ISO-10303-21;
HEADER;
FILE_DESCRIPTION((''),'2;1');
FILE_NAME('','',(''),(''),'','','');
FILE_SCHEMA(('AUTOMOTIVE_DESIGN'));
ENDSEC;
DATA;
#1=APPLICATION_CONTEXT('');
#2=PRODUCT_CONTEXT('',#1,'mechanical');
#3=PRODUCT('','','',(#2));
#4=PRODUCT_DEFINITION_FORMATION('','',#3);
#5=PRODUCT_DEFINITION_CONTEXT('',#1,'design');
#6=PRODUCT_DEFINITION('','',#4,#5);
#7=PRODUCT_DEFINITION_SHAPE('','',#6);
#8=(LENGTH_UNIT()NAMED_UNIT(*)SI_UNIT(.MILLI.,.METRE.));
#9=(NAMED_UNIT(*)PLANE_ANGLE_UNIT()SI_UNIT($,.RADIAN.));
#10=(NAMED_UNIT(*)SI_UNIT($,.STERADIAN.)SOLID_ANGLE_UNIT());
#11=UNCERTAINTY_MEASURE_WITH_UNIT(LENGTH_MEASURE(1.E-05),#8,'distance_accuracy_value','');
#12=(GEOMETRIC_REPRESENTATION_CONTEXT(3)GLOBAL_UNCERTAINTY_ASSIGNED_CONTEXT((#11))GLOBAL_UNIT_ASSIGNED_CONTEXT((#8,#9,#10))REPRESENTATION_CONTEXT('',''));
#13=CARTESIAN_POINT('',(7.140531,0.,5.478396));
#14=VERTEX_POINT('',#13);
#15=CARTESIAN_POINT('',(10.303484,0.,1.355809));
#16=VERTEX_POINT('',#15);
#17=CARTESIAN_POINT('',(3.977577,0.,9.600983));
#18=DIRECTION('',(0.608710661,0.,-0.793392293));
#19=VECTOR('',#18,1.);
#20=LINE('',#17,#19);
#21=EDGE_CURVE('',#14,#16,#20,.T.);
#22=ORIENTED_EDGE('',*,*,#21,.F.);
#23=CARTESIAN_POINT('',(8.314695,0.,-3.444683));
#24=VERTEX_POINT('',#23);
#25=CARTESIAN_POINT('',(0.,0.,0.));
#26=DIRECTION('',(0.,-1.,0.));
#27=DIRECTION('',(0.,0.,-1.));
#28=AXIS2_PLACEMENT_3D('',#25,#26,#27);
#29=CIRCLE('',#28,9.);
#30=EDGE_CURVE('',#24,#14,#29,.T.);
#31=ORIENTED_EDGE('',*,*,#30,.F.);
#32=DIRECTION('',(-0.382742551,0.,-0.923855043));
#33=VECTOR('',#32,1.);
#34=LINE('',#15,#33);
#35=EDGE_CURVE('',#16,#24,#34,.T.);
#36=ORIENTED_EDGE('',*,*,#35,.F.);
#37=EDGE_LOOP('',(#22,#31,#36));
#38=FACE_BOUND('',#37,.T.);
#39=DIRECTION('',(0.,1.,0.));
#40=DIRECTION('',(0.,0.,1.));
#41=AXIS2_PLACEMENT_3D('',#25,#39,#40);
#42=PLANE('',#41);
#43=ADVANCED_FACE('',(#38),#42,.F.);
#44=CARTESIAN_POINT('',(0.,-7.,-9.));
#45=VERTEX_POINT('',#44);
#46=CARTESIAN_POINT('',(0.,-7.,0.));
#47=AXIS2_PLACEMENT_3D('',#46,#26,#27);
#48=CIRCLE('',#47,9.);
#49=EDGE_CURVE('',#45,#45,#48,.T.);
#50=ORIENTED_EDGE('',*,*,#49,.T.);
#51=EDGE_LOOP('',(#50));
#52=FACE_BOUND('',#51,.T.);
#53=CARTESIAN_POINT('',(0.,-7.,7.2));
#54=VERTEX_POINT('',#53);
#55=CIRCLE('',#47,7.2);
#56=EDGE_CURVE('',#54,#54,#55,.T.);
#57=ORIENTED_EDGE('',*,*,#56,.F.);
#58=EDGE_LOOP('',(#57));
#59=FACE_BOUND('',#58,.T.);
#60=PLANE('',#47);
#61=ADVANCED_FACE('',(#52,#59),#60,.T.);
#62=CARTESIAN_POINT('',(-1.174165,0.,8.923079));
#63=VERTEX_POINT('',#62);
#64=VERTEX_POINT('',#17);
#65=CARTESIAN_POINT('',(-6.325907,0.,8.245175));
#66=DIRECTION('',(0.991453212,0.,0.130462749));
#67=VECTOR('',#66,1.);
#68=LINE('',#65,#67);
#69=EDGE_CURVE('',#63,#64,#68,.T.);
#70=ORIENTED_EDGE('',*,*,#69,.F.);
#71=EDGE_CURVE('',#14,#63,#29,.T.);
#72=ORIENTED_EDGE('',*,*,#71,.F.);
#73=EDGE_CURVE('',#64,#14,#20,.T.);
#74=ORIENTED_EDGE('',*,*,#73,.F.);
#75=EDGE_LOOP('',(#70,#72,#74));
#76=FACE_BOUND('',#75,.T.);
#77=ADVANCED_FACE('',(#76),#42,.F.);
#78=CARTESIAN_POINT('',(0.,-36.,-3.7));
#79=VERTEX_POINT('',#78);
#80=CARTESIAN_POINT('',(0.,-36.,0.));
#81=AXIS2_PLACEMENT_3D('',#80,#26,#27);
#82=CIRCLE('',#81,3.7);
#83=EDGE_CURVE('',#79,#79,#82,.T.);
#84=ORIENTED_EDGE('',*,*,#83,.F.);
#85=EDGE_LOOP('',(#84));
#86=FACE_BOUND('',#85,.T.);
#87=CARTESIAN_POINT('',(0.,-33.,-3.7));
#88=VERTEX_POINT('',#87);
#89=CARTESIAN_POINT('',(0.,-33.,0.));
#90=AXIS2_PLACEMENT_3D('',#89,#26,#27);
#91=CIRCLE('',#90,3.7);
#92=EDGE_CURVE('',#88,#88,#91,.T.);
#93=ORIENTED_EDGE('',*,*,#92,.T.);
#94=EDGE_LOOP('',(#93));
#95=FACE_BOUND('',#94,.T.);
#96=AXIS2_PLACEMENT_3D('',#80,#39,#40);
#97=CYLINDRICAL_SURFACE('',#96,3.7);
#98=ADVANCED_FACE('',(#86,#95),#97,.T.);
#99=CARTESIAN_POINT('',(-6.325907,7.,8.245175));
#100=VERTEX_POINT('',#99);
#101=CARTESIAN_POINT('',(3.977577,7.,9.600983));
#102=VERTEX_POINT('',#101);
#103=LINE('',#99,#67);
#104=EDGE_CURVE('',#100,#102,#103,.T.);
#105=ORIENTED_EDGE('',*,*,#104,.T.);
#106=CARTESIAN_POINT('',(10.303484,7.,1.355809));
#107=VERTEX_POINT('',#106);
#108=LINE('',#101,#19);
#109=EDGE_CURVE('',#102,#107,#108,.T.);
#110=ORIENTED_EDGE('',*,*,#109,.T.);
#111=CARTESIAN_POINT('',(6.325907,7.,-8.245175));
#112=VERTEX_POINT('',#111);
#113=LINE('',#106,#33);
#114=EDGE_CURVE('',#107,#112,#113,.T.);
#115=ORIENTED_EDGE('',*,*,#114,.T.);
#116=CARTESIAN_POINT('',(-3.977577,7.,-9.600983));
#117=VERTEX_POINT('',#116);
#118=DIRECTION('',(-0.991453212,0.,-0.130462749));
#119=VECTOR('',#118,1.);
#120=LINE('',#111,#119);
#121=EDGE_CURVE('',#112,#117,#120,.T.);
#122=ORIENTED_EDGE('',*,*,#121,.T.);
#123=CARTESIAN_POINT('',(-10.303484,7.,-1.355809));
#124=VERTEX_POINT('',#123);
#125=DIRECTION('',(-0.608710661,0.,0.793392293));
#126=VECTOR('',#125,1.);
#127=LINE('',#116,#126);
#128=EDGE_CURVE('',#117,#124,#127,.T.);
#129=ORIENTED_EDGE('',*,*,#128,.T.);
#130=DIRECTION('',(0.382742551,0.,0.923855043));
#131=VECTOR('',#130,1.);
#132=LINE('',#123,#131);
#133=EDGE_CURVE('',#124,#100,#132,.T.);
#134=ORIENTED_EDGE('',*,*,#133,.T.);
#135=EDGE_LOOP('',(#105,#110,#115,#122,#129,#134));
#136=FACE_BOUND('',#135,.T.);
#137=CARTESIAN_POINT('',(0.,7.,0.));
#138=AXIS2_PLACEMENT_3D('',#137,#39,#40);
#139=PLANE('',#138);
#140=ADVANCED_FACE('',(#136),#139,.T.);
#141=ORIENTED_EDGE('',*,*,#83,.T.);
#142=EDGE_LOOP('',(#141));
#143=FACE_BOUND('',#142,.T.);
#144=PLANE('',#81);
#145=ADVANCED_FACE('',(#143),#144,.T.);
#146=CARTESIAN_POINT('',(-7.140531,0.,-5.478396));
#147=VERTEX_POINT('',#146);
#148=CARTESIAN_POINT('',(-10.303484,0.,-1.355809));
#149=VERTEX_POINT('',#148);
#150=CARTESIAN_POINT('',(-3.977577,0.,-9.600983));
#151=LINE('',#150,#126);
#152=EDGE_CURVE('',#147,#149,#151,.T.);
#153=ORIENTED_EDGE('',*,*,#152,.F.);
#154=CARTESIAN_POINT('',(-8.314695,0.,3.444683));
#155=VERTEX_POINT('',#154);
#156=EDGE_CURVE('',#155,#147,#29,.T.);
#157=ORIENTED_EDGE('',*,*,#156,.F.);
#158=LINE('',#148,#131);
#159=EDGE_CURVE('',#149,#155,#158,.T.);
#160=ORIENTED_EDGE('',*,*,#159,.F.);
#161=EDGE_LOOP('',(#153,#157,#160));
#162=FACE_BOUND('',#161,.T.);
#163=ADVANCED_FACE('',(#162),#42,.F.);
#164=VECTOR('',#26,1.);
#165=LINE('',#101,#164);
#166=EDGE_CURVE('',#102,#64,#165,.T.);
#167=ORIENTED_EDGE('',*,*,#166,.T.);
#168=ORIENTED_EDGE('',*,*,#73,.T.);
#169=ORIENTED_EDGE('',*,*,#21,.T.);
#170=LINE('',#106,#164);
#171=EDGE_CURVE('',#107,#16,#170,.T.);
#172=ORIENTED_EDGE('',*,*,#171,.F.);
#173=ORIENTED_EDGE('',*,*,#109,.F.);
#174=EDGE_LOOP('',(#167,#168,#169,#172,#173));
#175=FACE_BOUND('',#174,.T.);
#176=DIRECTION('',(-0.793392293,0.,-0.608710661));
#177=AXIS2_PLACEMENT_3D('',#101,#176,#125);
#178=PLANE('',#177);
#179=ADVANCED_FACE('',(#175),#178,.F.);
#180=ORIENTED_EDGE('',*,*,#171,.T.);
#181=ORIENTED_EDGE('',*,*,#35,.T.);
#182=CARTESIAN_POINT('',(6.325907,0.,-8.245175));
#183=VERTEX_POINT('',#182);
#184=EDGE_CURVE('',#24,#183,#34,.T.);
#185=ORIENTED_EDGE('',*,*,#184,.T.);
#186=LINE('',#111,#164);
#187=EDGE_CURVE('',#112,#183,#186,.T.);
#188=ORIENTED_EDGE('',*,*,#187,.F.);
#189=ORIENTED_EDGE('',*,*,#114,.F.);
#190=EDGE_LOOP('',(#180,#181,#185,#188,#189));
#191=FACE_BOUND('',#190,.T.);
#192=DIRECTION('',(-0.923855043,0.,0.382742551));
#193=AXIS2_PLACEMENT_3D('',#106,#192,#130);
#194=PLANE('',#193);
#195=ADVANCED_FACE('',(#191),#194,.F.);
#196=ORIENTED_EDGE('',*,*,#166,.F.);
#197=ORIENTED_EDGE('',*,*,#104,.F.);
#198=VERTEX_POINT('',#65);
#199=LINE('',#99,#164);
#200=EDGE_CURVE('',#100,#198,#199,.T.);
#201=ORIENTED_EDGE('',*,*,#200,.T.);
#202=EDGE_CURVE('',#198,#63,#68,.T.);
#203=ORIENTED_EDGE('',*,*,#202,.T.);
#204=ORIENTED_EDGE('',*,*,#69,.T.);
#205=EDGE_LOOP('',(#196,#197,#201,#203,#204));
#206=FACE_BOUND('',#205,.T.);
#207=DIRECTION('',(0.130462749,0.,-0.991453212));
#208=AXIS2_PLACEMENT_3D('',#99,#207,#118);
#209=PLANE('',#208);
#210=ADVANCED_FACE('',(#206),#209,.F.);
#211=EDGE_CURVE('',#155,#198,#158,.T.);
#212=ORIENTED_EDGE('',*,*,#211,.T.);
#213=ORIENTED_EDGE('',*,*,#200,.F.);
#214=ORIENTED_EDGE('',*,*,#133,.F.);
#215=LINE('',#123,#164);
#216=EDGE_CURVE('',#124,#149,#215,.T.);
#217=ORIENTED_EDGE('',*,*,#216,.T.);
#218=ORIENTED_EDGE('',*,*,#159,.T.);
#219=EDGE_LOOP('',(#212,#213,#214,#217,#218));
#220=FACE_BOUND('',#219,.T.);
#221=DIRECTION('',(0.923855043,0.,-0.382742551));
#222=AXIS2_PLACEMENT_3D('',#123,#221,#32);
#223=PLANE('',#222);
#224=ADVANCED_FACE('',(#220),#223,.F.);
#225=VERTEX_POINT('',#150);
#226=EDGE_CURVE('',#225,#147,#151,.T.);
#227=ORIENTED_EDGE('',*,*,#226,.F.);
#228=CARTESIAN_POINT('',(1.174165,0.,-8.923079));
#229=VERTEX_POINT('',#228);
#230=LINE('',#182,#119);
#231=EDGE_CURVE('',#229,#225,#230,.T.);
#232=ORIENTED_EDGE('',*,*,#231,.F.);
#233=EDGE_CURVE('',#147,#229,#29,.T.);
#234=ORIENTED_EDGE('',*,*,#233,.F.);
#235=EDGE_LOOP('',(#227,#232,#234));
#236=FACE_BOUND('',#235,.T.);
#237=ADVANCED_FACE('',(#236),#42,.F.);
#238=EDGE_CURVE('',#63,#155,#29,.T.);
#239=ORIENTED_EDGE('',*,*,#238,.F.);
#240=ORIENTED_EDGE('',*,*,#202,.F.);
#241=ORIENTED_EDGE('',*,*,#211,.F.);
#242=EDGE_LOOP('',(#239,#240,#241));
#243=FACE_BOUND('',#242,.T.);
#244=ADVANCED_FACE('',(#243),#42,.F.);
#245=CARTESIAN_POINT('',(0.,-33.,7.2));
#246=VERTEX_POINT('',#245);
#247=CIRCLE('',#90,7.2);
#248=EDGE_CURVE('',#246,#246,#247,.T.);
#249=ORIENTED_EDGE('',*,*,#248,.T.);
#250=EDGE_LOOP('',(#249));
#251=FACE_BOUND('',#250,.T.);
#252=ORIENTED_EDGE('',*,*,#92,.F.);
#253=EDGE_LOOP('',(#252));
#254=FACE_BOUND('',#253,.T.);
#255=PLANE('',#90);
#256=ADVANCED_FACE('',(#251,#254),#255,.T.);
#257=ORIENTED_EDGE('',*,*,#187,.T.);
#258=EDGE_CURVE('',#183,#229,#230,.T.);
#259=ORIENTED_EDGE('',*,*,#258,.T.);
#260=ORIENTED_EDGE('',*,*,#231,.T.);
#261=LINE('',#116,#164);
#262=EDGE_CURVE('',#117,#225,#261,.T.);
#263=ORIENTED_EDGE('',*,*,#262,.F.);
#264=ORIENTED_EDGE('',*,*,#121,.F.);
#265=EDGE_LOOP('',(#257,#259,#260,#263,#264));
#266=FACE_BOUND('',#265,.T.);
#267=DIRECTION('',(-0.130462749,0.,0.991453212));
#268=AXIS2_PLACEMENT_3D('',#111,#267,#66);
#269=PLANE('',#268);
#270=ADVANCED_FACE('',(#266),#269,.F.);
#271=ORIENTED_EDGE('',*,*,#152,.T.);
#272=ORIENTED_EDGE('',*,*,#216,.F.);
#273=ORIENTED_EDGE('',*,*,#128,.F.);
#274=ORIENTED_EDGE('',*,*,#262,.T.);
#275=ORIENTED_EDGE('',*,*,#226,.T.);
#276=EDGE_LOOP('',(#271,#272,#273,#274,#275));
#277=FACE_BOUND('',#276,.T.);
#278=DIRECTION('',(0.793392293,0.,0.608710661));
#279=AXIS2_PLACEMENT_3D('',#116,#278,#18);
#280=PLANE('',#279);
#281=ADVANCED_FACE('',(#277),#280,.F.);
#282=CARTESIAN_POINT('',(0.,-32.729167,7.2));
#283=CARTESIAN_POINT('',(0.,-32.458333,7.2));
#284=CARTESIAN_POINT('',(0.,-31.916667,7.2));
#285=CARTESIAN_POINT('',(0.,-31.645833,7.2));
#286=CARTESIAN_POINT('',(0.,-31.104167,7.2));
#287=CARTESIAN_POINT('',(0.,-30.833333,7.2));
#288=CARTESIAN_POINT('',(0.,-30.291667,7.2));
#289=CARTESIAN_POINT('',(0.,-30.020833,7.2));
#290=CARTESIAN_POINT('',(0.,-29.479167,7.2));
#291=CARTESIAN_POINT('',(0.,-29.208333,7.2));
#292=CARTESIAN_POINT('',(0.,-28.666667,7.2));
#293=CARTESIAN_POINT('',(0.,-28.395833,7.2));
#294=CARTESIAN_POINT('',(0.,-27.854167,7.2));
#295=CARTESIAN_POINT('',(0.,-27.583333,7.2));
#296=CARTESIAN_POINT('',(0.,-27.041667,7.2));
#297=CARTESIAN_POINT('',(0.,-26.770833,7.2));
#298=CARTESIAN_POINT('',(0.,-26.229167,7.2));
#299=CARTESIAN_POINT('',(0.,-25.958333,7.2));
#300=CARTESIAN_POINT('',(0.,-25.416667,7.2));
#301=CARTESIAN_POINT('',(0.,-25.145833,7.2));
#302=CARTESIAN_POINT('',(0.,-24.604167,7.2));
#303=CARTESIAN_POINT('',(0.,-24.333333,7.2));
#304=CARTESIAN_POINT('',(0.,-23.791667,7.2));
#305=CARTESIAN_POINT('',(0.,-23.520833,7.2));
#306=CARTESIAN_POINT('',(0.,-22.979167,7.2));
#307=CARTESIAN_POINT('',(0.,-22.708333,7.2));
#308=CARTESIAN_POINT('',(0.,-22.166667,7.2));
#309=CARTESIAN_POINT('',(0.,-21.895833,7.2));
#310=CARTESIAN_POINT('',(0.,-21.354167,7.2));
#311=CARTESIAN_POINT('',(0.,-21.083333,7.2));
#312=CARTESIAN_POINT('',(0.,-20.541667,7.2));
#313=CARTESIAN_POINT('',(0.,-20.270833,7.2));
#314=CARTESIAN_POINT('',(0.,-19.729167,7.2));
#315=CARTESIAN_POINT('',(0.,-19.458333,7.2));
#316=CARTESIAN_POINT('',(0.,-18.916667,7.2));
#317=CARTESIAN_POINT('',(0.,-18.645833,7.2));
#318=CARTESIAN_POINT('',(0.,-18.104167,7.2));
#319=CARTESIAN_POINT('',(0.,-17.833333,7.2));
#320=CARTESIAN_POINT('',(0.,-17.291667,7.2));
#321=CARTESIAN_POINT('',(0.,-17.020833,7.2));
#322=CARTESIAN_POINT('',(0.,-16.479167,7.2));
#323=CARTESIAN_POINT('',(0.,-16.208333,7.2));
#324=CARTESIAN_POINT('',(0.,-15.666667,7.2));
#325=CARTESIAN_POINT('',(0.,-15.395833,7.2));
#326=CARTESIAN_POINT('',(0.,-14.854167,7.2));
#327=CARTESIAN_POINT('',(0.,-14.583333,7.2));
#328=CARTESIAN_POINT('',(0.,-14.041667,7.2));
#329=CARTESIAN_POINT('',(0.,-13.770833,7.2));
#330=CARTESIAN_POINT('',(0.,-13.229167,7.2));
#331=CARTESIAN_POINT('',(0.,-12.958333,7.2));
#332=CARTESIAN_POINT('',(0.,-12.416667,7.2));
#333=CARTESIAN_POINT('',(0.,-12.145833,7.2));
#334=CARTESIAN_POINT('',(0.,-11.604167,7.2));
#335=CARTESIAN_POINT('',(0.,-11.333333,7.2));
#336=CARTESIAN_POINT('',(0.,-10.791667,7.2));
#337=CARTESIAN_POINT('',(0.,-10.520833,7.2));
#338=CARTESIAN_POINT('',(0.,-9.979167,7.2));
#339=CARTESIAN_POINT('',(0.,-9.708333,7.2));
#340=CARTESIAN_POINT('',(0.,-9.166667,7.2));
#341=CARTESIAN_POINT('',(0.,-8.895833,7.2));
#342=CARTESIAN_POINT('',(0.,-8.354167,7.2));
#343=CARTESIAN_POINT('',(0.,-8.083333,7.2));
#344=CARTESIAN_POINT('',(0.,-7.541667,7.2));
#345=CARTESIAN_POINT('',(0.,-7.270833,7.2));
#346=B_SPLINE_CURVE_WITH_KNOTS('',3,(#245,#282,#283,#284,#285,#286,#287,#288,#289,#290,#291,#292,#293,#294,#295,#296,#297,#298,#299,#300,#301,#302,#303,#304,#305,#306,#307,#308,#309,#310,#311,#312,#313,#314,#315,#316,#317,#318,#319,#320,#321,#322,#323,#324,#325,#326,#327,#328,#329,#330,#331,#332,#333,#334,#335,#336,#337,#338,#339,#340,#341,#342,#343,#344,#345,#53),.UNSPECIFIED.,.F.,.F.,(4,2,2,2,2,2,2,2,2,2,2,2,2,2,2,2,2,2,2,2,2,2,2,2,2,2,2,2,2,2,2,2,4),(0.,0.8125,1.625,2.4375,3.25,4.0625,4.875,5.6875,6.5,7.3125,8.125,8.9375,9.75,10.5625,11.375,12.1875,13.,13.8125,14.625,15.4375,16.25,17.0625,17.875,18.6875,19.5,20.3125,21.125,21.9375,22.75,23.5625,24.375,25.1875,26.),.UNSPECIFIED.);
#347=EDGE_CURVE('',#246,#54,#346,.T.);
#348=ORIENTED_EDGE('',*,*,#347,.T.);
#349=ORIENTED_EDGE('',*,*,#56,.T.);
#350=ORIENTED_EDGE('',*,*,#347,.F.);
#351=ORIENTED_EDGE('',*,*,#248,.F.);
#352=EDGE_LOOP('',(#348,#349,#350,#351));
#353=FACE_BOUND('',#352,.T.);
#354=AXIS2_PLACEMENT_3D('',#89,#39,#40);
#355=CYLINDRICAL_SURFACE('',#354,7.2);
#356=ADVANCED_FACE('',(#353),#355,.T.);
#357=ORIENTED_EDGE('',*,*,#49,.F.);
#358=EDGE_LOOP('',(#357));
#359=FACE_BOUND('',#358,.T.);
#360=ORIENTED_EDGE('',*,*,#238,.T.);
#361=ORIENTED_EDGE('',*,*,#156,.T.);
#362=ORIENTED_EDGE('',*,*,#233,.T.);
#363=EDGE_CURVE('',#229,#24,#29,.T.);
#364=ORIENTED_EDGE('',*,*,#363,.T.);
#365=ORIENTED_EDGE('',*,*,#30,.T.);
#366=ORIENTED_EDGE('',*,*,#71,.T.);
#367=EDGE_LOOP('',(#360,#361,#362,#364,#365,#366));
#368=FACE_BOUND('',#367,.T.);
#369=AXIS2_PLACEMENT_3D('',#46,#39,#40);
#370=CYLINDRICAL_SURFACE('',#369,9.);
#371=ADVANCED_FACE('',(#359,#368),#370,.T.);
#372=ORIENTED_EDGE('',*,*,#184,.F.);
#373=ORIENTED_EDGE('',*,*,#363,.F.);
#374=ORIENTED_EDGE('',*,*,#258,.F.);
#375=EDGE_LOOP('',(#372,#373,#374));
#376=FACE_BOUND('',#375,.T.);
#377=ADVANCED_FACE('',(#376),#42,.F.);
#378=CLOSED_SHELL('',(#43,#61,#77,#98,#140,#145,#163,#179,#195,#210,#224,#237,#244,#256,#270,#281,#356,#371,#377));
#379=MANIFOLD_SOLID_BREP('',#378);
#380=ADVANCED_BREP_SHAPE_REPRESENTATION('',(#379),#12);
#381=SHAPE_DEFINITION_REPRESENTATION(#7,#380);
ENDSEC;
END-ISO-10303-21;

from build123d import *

# Parameters (mm, degrees)
EXTRUDE_1_DEPTH = 7
SKETCH_2_R      = 9
EXTRUDE_2_DEPTH = 7
SKETCH_3_R      = 7.2
EXTRUDE_3_DEPTH = 26
SKETCH_4_R      = 3.7
EXTRUDE_4_DEPTH = 3


with BuildPart() as part:
    # 草图1 → 凸台-拉伸1 (new body)
    with BuildSketch(Plane(origin=(0, 0, 0), x_dir=(1, 0, 0), z_dir=(0, 1, 0))):
        Polygon((6.325906751, 8.245174576), (-3.977577266, 9.600983236), (-10.303484016, 1.35580866), (-6.325906751, -8.245174576), (3.977577266, -9.600983236), (10.303484016, -1.35580866), align=None)
    extrude(amount=EXTRUDE_1_DEPTH)

    # 草图2 → 凸台-拉伸2 (add)
    with BuildSketch(Plane.XZ):
        with Locations(Location((0, 0, 0), (0, 0, 97.49633363))):
            Circle(SKETCH_2_R)
    extrude(amount=EXTRUDE_2_DEPTH)

    # 草图3 → 凸台-拉伸3 (add)
    with BuildSketch(Plane.XZ.offset(7)):
        with Locations(Location((0, 0, 0), (0, 0, 90))):
            Circle(SKETCH_3_R)
    extrude(amount=EXTRUDE_3_DEPTH)

    # 草图4 → 凸台-拉伸4 (add)
    with BuildSketch(Plane.XZ.offset(33)):
        with Locations(Location((0, 0, 0), (0, 0, 270))):
            Circle(SKETCH_4_R)
    extrude(amount=EXTRUDE_4_DEPTH)


solid = part.part
